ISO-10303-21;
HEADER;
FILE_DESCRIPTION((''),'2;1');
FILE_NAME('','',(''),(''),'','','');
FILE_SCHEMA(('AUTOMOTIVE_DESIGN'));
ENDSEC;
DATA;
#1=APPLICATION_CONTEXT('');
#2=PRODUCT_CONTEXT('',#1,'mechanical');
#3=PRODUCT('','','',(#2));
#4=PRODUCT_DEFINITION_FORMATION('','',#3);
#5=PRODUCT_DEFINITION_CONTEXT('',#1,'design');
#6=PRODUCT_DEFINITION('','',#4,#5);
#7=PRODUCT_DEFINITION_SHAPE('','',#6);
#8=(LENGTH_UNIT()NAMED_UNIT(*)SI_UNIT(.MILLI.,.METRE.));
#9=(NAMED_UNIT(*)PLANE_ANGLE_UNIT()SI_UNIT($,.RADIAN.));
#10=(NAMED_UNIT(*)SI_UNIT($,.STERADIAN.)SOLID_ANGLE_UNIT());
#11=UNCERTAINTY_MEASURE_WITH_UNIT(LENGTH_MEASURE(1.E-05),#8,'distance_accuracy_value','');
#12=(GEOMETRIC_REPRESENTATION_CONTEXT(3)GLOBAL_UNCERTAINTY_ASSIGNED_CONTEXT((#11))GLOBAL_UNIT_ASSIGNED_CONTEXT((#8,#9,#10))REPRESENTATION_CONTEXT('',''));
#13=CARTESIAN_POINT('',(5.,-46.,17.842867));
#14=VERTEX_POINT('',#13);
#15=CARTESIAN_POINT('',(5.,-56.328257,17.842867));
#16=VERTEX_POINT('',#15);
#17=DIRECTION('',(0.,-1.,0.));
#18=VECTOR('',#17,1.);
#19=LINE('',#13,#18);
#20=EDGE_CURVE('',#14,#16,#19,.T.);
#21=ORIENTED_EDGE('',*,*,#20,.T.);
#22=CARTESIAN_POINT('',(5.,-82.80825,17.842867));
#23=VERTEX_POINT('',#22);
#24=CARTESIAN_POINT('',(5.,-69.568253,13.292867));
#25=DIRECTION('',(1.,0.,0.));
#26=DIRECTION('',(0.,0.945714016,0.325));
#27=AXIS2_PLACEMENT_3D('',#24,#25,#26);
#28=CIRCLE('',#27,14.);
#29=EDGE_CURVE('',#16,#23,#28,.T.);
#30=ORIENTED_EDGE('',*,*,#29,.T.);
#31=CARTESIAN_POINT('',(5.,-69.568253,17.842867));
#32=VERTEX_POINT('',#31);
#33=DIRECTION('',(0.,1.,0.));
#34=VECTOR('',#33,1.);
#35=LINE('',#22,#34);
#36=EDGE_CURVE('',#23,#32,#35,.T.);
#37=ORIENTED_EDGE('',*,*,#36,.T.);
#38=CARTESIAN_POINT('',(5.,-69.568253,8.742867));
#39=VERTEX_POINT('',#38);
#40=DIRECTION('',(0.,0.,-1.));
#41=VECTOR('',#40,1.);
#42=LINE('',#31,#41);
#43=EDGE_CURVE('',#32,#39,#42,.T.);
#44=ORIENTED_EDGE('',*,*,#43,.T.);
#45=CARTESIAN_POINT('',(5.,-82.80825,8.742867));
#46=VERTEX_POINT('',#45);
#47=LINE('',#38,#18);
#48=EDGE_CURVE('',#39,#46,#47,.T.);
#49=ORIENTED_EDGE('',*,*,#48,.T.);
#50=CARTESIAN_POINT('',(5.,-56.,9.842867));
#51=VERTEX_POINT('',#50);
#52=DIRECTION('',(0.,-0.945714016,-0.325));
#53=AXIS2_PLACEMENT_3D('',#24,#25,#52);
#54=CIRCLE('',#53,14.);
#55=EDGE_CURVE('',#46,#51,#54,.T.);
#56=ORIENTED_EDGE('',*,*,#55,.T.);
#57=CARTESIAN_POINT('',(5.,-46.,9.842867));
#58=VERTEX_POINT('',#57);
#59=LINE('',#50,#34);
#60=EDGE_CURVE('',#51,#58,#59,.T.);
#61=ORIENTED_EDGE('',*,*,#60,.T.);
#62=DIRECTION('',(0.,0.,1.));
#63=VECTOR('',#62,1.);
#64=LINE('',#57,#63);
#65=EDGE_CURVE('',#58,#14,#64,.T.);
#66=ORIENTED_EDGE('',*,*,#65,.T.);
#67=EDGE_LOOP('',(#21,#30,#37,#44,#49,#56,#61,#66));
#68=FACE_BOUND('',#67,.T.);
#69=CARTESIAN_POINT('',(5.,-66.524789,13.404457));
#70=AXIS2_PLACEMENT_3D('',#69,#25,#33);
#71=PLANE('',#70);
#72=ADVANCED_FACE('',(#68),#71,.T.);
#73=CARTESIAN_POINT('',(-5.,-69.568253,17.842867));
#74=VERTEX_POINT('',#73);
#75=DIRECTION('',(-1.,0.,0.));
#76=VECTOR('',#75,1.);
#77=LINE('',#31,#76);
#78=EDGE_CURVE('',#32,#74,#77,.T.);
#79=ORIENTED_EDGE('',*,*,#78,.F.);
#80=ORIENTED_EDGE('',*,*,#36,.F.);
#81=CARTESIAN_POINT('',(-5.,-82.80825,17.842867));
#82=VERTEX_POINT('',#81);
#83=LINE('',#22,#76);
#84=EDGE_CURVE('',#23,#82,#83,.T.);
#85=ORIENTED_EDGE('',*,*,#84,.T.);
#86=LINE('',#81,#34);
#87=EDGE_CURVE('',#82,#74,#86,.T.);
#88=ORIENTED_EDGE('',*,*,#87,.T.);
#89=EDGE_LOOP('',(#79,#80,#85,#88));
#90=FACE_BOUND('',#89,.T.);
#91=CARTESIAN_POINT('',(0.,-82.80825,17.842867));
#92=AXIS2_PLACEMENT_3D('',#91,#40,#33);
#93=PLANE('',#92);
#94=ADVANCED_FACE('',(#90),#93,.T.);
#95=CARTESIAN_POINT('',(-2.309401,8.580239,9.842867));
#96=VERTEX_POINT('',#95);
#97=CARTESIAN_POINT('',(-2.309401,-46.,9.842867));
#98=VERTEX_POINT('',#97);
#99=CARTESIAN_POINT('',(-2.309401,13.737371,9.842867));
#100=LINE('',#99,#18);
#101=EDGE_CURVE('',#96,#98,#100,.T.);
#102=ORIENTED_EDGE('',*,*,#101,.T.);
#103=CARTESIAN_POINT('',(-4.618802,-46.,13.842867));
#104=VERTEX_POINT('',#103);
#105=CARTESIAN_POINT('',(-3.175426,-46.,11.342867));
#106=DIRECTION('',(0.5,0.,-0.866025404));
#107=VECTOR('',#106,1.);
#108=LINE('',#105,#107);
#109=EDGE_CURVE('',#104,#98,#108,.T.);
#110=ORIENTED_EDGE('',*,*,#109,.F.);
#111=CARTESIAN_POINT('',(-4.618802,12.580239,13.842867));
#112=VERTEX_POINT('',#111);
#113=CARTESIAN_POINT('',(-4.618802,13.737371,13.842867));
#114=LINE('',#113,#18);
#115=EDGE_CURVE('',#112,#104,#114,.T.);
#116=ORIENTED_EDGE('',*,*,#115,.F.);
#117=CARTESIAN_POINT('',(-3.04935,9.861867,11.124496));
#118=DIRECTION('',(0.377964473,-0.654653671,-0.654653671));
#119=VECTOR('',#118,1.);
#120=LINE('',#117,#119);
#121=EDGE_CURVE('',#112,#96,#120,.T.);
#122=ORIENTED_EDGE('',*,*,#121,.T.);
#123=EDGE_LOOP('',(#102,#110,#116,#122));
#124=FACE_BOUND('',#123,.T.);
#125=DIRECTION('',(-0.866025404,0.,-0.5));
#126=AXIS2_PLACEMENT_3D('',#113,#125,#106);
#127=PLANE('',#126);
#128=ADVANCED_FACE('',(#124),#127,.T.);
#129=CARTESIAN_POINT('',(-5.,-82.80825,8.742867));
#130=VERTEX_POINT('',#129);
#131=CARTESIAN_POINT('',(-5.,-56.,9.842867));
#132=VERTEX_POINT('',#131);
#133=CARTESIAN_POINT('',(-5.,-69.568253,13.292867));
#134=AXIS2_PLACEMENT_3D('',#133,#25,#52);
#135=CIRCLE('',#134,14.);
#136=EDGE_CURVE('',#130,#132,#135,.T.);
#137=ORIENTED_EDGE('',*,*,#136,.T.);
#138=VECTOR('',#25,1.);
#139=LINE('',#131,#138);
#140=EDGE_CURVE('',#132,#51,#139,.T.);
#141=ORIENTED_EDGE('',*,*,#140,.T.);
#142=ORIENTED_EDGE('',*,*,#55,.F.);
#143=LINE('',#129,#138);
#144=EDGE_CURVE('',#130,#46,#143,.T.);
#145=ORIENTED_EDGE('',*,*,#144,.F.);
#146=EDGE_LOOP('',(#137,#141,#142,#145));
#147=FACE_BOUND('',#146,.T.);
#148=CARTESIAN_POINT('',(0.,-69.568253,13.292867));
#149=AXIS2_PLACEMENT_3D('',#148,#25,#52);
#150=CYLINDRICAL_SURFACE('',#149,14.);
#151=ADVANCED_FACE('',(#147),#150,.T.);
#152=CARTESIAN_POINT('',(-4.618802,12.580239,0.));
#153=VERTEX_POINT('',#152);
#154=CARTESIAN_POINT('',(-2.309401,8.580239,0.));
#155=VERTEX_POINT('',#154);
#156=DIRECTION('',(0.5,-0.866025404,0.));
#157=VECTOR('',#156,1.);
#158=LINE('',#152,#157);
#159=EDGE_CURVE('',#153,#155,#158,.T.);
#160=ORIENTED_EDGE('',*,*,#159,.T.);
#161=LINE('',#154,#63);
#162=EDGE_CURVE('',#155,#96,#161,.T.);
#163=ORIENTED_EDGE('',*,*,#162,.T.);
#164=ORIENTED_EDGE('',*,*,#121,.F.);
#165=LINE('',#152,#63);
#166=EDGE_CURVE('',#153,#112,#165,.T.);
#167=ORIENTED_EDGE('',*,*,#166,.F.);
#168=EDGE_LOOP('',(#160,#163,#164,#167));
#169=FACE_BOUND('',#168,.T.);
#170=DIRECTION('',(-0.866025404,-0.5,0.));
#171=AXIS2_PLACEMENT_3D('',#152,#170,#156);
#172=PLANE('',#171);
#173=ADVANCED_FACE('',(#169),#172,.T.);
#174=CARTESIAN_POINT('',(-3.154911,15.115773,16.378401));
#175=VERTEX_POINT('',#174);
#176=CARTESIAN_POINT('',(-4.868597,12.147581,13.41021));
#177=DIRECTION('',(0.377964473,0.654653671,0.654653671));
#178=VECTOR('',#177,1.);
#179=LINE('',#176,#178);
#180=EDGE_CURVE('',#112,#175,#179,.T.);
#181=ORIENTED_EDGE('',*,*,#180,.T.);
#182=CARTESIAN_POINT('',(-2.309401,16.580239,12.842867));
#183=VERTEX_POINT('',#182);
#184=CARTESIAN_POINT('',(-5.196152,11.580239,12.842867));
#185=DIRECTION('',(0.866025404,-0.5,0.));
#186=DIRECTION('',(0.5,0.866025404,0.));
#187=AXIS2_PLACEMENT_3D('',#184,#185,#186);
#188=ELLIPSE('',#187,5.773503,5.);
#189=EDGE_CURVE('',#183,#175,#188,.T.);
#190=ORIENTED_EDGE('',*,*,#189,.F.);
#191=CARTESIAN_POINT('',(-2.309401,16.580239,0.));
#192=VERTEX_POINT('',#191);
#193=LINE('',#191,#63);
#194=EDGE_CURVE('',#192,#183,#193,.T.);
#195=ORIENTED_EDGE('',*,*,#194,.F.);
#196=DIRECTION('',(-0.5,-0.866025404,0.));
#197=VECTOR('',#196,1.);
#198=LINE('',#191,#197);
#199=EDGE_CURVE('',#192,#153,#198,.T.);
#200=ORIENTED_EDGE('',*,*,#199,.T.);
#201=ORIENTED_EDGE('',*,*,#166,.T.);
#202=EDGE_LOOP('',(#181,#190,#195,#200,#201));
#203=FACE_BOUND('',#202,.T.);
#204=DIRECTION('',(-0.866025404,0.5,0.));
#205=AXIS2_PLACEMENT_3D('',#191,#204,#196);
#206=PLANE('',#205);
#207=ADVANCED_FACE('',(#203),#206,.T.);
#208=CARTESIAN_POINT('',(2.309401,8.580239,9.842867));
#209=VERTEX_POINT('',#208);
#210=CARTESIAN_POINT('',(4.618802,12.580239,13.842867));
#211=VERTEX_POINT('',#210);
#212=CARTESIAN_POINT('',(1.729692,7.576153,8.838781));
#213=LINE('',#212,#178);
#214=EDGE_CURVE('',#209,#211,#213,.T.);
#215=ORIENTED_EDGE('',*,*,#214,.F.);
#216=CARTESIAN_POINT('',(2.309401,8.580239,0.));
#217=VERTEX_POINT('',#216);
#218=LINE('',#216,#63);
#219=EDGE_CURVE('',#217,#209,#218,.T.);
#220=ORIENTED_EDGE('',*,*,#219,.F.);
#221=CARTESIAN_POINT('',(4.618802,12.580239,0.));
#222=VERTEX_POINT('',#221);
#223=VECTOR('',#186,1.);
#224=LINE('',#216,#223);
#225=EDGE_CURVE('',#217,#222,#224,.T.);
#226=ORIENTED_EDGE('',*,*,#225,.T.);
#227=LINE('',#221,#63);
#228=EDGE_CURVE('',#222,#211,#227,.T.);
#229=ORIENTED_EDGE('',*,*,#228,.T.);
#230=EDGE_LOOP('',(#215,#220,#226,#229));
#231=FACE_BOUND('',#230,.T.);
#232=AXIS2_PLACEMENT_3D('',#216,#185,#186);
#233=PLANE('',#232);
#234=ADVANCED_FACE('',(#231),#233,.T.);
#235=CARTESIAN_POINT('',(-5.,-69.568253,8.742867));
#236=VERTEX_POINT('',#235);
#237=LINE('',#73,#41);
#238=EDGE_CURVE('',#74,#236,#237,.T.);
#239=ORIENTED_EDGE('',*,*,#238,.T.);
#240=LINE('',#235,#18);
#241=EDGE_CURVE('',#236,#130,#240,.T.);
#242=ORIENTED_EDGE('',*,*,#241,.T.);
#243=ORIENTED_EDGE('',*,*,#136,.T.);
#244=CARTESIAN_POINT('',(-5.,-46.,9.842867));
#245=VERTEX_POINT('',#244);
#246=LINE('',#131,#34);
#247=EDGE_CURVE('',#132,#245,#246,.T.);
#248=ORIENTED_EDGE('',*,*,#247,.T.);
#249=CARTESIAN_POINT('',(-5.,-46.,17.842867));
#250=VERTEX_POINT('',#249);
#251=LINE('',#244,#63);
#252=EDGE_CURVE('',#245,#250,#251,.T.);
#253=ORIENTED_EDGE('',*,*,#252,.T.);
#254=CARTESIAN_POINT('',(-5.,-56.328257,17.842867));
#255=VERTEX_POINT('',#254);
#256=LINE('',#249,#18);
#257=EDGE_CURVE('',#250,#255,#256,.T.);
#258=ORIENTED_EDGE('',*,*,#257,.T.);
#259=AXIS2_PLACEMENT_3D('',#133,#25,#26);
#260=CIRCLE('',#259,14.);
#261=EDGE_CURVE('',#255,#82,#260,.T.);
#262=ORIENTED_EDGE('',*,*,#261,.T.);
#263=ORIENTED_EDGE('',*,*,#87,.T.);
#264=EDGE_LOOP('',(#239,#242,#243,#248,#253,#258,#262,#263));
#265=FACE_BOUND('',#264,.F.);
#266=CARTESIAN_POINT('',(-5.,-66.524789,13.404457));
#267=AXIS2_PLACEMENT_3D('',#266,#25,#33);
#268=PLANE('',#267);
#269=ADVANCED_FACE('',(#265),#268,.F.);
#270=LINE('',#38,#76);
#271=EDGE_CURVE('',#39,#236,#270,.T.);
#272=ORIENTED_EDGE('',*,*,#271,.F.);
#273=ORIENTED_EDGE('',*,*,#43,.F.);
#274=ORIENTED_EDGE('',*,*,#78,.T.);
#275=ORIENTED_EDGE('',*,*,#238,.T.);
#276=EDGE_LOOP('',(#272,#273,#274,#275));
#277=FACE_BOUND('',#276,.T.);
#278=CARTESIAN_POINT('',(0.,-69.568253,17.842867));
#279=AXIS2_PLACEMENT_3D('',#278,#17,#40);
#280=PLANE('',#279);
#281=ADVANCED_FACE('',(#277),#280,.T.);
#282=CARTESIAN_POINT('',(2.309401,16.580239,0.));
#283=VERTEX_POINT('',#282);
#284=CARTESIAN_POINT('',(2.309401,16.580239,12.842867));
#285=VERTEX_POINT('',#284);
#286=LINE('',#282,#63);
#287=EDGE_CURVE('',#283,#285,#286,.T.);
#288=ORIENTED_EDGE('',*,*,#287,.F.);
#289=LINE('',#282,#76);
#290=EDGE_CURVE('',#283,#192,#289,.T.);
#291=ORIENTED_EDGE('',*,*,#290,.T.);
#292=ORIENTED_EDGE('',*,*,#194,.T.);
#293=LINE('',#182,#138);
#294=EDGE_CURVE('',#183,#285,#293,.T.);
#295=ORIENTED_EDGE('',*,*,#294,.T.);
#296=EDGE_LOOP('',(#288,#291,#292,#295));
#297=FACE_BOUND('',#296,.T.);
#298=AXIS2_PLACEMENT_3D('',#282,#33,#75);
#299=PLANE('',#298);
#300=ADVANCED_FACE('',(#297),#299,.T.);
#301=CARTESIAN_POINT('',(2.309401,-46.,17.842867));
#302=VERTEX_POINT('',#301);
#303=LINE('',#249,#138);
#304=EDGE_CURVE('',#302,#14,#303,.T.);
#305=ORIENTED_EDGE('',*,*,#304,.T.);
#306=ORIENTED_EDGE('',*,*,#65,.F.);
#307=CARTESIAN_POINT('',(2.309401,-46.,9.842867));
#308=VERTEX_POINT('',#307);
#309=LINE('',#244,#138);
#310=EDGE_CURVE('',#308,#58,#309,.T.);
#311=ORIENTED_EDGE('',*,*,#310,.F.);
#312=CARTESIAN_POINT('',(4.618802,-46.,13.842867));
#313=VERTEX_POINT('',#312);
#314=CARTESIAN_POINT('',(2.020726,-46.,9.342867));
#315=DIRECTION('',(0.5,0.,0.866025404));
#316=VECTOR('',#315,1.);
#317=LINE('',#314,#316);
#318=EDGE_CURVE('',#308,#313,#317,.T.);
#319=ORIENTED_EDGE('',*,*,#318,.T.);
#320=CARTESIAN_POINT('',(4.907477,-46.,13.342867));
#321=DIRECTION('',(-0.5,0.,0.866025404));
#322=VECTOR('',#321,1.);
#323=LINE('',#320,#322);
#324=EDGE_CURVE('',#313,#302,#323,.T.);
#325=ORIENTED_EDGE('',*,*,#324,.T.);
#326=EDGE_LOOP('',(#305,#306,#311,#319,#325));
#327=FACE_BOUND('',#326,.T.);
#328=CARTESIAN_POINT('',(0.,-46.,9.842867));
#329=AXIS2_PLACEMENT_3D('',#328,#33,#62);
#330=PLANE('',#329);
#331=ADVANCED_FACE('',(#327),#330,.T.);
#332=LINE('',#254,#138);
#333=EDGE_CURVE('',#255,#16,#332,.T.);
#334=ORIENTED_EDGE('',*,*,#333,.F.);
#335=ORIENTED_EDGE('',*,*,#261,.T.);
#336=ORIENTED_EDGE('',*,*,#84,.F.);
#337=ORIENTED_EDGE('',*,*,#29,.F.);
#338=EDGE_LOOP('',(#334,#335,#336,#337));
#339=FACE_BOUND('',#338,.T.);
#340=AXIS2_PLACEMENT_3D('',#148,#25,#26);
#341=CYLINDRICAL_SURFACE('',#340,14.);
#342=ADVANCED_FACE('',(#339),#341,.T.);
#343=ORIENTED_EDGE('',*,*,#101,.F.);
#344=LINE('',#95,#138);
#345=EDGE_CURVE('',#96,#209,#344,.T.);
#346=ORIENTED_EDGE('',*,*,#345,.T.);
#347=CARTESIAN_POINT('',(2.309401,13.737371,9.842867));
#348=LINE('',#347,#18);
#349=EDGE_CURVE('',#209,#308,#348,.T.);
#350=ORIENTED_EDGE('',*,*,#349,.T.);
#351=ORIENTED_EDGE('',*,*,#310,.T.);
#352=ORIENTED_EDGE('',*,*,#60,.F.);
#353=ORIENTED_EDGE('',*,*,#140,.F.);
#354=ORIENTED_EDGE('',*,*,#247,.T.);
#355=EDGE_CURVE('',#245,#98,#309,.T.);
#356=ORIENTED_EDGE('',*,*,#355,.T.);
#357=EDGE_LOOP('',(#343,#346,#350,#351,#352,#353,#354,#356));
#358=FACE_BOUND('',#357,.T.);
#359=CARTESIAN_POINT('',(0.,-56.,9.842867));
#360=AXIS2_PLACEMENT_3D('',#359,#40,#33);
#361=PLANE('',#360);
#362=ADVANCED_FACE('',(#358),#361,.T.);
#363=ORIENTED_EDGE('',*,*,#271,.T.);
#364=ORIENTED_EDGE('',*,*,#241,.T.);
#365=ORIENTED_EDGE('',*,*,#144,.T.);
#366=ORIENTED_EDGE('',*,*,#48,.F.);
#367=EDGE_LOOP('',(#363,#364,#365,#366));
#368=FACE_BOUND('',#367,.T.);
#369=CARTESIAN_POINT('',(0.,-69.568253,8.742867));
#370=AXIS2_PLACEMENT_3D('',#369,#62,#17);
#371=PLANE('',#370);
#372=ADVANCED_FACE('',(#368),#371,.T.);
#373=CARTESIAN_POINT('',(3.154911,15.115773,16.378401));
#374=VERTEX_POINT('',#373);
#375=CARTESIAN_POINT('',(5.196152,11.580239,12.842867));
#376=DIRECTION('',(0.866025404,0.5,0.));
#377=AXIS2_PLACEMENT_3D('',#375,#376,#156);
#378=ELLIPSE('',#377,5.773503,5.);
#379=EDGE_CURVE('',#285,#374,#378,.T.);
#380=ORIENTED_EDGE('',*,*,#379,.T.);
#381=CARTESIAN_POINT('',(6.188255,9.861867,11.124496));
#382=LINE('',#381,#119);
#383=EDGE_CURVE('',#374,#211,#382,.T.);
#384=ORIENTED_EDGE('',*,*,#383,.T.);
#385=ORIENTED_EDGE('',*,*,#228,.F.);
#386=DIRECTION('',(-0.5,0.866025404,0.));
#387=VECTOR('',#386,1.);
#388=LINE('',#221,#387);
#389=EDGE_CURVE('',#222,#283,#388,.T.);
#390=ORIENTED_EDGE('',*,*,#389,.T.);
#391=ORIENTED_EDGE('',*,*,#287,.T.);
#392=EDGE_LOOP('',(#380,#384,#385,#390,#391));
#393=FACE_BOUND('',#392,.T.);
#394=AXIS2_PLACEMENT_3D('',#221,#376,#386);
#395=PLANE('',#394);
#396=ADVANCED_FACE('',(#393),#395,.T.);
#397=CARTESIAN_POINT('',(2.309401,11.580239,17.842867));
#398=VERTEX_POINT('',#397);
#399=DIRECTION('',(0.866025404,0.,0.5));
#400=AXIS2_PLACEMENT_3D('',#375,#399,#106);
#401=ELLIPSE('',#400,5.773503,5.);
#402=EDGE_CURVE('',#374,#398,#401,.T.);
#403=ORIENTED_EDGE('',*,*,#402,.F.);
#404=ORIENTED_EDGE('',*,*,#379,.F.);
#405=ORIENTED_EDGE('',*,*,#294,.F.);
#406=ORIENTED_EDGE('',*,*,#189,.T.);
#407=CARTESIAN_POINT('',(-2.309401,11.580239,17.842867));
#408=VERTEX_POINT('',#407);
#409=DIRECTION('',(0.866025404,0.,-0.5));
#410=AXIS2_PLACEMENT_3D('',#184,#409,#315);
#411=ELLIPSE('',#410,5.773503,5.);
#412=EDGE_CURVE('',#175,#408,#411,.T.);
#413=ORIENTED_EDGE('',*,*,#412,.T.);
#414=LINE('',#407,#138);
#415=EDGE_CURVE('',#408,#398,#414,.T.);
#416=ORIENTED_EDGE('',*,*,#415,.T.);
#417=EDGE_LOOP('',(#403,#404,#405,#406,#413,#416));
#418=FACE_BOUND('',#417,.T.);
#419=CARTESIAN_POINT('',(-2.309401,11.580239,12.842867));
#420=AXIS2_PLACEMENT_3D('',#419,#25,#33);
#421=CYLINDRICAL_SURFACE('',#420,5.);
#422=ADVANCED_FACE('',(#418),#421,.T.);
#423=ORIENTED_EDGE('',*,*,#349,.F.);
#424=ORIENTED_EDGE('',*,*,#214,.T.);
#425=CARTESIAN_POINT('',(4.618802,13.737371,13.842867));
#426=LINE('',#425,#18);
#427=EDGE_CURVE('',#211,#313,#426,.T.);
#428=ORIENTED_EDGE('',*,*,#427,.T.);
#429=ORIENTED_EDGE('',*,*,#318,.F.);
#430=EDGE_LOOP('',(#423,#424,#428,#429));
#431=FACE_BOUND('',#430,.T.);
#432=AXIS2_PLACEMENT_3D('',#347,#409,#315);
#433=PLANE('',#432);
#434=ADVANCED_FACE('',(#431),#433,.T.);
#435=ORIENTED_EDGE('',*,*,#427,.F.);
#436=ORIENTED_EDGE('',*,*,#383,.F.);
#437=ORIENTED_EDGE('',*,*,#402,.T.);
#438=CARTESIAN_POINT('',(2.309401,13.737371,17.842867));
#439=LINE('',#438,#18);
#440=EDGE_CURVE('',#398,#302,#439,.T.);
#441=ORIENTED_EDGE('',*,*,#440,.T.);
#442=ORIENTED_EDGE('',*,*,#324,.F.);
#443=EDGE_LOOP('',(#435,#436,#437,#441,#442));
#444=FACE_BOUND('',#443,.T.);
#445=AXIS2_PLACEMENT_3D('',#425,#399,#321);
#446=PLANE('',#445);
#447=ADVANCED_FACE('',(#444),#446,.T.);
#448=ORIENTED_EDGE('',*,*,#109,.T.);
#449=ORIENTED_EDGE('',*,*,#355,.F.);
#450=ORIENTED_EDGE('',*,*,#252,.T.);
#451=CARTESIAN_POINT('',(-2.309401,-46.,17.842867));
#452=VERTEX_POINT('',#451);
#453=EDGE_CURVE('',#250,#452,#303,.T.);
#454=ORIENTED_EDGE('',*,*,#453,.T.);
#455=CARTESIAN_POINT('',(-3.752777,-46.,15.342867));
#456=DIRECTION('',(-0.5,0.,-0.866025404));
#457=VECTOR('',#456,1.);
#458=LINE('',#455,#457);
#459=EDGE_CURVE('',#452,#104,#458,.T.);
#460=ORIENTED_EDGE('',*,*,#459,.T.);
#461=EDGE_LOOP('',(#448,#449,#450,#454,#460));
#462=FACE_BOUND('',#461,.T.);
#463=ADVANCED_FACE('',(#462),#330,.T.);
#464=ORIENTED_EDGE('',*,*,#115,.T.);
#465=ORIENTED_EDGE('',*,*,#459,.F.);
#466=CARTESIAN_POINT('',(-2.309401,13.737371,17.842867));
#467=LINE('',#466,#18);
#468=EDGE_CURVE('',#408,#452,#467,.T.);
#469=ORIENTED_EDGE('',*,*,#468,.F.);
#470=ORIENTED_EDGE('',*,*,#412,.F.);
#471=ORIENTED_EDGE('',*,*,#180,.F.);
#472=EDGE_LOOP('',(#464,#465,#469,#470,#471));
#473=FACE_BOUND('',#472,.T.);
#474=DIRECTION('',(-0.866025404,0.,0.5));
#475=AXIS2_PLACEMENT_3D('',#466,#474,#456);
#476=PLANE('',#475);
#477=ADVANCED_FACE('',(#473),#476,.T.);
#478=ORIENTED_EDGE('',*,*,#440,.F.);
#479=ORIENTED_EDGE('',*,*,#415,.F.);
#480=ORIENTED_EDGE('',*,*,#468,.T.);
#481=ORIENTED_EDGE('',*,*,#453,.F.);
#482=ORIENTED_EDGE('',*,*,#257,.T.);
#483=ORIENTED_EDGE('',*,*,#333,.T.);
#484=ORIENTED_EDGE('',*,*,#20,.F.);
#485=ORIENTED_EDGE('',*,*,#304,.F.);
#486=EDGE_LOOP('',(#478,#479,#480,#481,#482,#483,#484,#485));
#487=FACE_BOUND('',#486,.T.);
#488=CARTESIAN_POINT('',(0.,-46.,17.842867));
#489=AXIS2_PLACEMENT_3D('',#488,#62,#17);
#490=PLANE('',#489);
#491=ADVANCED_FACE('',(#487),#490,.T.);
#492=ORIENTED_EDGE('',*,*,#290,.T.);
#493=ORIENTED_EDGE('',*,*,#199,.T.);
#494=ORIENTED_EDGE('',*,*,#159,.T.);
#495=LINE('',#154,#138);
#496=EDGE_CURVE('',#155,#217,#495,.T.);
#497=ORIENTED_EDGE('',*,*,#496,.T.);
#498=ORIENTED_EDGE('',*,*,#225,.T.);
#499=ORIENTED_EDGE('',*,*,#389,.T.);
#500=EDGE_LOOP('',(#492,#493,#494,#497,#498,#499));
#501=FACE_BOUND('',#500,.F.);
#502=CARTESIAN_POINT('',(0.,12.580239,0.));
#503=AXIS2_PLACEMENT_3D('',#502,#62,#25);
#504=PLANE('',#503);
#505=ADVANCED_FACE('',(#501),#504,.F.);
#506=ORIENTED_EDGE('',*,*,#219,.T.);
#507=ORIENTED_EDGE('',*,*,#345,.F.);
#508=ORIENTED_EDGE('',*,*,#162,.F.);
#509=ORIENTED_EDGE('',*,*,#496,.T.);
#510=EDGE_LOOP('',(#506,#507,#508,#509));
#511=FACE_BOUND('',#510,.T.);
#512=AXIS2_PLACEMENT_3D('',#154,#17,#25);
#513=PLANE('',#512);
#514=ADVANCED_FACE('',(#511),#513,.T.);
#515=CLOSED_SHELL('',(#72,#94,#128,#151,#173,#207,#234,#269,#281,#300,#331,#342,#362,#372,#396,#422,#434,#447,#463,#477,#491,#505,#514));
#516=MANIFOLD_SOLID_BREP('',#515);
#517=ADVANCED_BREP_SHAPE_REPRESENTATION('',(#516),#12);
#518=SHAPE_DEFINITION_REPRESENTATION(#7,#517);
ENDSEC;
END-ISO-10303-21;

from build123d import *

# Parameters (mm, degrees)
F3_R     = 5
F5_DEPTH = 5


with BuildPart() as f2:
    # F2: sweep along a path in F1
    with BuildLine(Plane.YZ) as f2_path:
        Line((13.7373713946, 0), (13.7373713946, 15))
        Line((13.7373713946, 15), (-46.2626286054, 15))
    # F0 (on Top) → F2 (sweep)
    with BuildSketch(Plane.XY):
        Polygon((-2.3094010768, 16.5802386344), (-4.6188021535, 12.5802386344), (-2.3094010768, 8.5802386344), (2.3094010768, 8.5802386344), (4.6188021535, 12.5802386344), (2.3094010768, 16.5802386344), align=None)
    sweep(path=f2_path.line, transition=Transition.RIGHT)

    # F3
    f3_edges = [f2.edges().sort_by_distance(p)[0] for p in [
        (0, 16.580239, 17.842867),
    ]]
    fillet(f3_edges, radius=F3_R)

    # F4 (on Right) → F5 (join, symmetric)
    with BuildSketch(Plane.YZ):
        with BuildLine():
            Line((-69.568253388, 8.7428672398), (-82.8082496115, 8.7428672398))
            ThreePointArc((-82.8082496115, 8.7428672398), (-68.9942863231, -0.6953621624), (-56, 9.8428672398))
            Line((-56, 9.8428672398), (-46, 9.8428672398))
            Line((-46, 9.8428672398), (-46, 17.8428672398))
            Line((-46, 17.8428672398), (-56.3282571644, 17.8428672398))
            ThreePointArc((-56.3282571644, 17.8428672398), (-69.568253388, 27.2928672398), (-82.8082496115, 17.8428672398))
            Line((-82.8082496115, 17.8428672398), (-69.568253388, 17.8428672398))
            Line((-69.568253388, 17.8428672398), (-69.568253388, 8.7428672398))
        make_face()
    extrude(amount=F5_DEPTH, both=True)


solid = f2.part
